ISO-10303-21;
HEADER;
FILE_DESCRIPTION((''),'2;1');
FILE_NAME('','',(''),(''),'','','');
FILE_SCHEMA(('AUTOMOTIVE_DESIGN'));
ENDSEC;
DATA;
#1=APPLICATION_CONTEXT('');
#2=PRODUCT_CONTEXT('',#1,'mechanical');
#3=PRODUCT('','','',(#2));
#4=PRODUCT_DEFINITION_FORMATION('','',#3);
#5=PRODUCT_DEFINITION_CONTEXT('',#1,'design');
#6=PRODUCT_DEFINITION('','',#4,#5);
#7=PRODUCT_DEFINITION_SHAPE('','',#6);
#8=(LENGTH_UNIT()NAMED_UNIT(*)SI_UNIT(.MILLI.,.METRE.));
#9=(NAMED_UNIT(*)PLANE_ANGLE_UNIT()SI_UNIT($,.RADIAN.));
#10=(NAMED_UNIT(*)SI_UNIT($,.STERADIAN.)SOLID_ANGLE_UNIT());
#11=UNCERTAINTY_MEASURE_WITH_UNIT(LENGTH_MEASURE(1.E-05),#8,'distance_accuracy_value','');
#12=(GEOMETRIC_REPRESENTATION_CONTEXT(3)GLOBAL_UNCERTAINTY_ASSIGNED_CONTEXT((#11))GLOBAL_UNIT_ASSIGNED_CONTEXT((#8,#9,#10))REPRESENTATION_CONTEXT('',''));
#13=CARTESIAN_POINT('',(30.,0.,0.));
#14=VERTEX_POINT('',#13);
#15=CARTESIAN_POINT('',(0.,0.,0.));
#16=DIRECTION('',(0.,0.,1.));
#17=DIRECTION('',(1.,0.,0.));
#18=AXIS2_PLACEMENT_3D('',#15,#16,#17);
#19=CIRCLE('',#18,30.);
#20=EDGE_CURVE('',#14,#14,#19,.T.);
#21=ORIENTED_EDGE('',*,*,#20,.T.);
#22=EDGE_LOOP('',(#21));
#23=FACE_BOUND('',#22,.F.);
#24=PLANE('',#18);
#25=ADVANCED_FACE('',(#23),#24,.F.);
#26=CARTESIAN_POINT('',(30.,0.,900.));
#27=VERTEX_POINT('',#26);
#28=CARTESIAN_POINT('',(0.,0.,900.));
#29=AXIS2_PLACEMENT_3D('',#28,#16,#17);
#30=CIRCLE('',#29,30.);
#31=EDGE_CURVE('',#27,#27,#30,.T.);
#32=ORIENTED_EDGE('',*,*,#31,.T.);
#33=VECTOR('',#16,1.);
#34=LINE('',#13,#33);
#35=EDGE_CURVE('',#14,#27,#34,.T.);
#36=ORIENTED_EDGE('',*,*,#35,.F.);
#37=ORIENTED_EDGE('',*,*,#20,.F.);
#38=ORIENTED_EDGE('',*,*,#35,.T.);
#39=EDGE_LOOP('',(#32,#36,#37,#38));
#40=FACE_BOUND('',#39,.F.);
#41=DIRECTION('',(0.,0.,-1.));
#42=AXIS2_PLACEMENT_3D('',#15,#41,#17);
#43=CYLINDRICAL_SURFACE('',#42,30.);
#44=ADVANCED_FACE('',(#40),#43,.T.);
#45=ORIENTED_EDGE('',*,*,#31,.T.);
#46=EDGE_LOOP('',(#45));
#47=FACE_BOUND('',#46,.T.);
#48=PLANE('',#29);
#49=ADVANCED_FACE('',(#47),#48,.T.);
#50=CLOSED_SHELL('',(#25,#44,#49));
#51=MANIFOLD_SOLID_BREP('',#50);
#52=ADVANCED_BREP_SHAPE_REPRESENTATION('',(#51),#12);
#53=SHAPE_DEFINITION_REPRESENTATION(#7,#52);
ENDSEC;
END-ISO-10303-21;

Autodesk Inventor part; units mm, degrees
ref_plane "YZ Plane" through (0, 0, 0) normal (1, 0, 0) x (0, 1, 0)
ref_plane "XZ Plane" through (0, 0, 0) normal (0, 1, 0) x (-1, 0, 0)
ref_plane "XY Plane" through (0, 0, 0) normal (0, 0, 1) x (1, 0, 0)
sketch "Sketch1" plane through (0, 0, 0) normal (0, 0, 1) x (1, 0, 0)
  circle A0 centre (0, 0) radius 30
  dimension "d0" = 60
extrude "Extrusion1" add sketch "Sketch1" along normal blind 900
properties part number "PVC"
